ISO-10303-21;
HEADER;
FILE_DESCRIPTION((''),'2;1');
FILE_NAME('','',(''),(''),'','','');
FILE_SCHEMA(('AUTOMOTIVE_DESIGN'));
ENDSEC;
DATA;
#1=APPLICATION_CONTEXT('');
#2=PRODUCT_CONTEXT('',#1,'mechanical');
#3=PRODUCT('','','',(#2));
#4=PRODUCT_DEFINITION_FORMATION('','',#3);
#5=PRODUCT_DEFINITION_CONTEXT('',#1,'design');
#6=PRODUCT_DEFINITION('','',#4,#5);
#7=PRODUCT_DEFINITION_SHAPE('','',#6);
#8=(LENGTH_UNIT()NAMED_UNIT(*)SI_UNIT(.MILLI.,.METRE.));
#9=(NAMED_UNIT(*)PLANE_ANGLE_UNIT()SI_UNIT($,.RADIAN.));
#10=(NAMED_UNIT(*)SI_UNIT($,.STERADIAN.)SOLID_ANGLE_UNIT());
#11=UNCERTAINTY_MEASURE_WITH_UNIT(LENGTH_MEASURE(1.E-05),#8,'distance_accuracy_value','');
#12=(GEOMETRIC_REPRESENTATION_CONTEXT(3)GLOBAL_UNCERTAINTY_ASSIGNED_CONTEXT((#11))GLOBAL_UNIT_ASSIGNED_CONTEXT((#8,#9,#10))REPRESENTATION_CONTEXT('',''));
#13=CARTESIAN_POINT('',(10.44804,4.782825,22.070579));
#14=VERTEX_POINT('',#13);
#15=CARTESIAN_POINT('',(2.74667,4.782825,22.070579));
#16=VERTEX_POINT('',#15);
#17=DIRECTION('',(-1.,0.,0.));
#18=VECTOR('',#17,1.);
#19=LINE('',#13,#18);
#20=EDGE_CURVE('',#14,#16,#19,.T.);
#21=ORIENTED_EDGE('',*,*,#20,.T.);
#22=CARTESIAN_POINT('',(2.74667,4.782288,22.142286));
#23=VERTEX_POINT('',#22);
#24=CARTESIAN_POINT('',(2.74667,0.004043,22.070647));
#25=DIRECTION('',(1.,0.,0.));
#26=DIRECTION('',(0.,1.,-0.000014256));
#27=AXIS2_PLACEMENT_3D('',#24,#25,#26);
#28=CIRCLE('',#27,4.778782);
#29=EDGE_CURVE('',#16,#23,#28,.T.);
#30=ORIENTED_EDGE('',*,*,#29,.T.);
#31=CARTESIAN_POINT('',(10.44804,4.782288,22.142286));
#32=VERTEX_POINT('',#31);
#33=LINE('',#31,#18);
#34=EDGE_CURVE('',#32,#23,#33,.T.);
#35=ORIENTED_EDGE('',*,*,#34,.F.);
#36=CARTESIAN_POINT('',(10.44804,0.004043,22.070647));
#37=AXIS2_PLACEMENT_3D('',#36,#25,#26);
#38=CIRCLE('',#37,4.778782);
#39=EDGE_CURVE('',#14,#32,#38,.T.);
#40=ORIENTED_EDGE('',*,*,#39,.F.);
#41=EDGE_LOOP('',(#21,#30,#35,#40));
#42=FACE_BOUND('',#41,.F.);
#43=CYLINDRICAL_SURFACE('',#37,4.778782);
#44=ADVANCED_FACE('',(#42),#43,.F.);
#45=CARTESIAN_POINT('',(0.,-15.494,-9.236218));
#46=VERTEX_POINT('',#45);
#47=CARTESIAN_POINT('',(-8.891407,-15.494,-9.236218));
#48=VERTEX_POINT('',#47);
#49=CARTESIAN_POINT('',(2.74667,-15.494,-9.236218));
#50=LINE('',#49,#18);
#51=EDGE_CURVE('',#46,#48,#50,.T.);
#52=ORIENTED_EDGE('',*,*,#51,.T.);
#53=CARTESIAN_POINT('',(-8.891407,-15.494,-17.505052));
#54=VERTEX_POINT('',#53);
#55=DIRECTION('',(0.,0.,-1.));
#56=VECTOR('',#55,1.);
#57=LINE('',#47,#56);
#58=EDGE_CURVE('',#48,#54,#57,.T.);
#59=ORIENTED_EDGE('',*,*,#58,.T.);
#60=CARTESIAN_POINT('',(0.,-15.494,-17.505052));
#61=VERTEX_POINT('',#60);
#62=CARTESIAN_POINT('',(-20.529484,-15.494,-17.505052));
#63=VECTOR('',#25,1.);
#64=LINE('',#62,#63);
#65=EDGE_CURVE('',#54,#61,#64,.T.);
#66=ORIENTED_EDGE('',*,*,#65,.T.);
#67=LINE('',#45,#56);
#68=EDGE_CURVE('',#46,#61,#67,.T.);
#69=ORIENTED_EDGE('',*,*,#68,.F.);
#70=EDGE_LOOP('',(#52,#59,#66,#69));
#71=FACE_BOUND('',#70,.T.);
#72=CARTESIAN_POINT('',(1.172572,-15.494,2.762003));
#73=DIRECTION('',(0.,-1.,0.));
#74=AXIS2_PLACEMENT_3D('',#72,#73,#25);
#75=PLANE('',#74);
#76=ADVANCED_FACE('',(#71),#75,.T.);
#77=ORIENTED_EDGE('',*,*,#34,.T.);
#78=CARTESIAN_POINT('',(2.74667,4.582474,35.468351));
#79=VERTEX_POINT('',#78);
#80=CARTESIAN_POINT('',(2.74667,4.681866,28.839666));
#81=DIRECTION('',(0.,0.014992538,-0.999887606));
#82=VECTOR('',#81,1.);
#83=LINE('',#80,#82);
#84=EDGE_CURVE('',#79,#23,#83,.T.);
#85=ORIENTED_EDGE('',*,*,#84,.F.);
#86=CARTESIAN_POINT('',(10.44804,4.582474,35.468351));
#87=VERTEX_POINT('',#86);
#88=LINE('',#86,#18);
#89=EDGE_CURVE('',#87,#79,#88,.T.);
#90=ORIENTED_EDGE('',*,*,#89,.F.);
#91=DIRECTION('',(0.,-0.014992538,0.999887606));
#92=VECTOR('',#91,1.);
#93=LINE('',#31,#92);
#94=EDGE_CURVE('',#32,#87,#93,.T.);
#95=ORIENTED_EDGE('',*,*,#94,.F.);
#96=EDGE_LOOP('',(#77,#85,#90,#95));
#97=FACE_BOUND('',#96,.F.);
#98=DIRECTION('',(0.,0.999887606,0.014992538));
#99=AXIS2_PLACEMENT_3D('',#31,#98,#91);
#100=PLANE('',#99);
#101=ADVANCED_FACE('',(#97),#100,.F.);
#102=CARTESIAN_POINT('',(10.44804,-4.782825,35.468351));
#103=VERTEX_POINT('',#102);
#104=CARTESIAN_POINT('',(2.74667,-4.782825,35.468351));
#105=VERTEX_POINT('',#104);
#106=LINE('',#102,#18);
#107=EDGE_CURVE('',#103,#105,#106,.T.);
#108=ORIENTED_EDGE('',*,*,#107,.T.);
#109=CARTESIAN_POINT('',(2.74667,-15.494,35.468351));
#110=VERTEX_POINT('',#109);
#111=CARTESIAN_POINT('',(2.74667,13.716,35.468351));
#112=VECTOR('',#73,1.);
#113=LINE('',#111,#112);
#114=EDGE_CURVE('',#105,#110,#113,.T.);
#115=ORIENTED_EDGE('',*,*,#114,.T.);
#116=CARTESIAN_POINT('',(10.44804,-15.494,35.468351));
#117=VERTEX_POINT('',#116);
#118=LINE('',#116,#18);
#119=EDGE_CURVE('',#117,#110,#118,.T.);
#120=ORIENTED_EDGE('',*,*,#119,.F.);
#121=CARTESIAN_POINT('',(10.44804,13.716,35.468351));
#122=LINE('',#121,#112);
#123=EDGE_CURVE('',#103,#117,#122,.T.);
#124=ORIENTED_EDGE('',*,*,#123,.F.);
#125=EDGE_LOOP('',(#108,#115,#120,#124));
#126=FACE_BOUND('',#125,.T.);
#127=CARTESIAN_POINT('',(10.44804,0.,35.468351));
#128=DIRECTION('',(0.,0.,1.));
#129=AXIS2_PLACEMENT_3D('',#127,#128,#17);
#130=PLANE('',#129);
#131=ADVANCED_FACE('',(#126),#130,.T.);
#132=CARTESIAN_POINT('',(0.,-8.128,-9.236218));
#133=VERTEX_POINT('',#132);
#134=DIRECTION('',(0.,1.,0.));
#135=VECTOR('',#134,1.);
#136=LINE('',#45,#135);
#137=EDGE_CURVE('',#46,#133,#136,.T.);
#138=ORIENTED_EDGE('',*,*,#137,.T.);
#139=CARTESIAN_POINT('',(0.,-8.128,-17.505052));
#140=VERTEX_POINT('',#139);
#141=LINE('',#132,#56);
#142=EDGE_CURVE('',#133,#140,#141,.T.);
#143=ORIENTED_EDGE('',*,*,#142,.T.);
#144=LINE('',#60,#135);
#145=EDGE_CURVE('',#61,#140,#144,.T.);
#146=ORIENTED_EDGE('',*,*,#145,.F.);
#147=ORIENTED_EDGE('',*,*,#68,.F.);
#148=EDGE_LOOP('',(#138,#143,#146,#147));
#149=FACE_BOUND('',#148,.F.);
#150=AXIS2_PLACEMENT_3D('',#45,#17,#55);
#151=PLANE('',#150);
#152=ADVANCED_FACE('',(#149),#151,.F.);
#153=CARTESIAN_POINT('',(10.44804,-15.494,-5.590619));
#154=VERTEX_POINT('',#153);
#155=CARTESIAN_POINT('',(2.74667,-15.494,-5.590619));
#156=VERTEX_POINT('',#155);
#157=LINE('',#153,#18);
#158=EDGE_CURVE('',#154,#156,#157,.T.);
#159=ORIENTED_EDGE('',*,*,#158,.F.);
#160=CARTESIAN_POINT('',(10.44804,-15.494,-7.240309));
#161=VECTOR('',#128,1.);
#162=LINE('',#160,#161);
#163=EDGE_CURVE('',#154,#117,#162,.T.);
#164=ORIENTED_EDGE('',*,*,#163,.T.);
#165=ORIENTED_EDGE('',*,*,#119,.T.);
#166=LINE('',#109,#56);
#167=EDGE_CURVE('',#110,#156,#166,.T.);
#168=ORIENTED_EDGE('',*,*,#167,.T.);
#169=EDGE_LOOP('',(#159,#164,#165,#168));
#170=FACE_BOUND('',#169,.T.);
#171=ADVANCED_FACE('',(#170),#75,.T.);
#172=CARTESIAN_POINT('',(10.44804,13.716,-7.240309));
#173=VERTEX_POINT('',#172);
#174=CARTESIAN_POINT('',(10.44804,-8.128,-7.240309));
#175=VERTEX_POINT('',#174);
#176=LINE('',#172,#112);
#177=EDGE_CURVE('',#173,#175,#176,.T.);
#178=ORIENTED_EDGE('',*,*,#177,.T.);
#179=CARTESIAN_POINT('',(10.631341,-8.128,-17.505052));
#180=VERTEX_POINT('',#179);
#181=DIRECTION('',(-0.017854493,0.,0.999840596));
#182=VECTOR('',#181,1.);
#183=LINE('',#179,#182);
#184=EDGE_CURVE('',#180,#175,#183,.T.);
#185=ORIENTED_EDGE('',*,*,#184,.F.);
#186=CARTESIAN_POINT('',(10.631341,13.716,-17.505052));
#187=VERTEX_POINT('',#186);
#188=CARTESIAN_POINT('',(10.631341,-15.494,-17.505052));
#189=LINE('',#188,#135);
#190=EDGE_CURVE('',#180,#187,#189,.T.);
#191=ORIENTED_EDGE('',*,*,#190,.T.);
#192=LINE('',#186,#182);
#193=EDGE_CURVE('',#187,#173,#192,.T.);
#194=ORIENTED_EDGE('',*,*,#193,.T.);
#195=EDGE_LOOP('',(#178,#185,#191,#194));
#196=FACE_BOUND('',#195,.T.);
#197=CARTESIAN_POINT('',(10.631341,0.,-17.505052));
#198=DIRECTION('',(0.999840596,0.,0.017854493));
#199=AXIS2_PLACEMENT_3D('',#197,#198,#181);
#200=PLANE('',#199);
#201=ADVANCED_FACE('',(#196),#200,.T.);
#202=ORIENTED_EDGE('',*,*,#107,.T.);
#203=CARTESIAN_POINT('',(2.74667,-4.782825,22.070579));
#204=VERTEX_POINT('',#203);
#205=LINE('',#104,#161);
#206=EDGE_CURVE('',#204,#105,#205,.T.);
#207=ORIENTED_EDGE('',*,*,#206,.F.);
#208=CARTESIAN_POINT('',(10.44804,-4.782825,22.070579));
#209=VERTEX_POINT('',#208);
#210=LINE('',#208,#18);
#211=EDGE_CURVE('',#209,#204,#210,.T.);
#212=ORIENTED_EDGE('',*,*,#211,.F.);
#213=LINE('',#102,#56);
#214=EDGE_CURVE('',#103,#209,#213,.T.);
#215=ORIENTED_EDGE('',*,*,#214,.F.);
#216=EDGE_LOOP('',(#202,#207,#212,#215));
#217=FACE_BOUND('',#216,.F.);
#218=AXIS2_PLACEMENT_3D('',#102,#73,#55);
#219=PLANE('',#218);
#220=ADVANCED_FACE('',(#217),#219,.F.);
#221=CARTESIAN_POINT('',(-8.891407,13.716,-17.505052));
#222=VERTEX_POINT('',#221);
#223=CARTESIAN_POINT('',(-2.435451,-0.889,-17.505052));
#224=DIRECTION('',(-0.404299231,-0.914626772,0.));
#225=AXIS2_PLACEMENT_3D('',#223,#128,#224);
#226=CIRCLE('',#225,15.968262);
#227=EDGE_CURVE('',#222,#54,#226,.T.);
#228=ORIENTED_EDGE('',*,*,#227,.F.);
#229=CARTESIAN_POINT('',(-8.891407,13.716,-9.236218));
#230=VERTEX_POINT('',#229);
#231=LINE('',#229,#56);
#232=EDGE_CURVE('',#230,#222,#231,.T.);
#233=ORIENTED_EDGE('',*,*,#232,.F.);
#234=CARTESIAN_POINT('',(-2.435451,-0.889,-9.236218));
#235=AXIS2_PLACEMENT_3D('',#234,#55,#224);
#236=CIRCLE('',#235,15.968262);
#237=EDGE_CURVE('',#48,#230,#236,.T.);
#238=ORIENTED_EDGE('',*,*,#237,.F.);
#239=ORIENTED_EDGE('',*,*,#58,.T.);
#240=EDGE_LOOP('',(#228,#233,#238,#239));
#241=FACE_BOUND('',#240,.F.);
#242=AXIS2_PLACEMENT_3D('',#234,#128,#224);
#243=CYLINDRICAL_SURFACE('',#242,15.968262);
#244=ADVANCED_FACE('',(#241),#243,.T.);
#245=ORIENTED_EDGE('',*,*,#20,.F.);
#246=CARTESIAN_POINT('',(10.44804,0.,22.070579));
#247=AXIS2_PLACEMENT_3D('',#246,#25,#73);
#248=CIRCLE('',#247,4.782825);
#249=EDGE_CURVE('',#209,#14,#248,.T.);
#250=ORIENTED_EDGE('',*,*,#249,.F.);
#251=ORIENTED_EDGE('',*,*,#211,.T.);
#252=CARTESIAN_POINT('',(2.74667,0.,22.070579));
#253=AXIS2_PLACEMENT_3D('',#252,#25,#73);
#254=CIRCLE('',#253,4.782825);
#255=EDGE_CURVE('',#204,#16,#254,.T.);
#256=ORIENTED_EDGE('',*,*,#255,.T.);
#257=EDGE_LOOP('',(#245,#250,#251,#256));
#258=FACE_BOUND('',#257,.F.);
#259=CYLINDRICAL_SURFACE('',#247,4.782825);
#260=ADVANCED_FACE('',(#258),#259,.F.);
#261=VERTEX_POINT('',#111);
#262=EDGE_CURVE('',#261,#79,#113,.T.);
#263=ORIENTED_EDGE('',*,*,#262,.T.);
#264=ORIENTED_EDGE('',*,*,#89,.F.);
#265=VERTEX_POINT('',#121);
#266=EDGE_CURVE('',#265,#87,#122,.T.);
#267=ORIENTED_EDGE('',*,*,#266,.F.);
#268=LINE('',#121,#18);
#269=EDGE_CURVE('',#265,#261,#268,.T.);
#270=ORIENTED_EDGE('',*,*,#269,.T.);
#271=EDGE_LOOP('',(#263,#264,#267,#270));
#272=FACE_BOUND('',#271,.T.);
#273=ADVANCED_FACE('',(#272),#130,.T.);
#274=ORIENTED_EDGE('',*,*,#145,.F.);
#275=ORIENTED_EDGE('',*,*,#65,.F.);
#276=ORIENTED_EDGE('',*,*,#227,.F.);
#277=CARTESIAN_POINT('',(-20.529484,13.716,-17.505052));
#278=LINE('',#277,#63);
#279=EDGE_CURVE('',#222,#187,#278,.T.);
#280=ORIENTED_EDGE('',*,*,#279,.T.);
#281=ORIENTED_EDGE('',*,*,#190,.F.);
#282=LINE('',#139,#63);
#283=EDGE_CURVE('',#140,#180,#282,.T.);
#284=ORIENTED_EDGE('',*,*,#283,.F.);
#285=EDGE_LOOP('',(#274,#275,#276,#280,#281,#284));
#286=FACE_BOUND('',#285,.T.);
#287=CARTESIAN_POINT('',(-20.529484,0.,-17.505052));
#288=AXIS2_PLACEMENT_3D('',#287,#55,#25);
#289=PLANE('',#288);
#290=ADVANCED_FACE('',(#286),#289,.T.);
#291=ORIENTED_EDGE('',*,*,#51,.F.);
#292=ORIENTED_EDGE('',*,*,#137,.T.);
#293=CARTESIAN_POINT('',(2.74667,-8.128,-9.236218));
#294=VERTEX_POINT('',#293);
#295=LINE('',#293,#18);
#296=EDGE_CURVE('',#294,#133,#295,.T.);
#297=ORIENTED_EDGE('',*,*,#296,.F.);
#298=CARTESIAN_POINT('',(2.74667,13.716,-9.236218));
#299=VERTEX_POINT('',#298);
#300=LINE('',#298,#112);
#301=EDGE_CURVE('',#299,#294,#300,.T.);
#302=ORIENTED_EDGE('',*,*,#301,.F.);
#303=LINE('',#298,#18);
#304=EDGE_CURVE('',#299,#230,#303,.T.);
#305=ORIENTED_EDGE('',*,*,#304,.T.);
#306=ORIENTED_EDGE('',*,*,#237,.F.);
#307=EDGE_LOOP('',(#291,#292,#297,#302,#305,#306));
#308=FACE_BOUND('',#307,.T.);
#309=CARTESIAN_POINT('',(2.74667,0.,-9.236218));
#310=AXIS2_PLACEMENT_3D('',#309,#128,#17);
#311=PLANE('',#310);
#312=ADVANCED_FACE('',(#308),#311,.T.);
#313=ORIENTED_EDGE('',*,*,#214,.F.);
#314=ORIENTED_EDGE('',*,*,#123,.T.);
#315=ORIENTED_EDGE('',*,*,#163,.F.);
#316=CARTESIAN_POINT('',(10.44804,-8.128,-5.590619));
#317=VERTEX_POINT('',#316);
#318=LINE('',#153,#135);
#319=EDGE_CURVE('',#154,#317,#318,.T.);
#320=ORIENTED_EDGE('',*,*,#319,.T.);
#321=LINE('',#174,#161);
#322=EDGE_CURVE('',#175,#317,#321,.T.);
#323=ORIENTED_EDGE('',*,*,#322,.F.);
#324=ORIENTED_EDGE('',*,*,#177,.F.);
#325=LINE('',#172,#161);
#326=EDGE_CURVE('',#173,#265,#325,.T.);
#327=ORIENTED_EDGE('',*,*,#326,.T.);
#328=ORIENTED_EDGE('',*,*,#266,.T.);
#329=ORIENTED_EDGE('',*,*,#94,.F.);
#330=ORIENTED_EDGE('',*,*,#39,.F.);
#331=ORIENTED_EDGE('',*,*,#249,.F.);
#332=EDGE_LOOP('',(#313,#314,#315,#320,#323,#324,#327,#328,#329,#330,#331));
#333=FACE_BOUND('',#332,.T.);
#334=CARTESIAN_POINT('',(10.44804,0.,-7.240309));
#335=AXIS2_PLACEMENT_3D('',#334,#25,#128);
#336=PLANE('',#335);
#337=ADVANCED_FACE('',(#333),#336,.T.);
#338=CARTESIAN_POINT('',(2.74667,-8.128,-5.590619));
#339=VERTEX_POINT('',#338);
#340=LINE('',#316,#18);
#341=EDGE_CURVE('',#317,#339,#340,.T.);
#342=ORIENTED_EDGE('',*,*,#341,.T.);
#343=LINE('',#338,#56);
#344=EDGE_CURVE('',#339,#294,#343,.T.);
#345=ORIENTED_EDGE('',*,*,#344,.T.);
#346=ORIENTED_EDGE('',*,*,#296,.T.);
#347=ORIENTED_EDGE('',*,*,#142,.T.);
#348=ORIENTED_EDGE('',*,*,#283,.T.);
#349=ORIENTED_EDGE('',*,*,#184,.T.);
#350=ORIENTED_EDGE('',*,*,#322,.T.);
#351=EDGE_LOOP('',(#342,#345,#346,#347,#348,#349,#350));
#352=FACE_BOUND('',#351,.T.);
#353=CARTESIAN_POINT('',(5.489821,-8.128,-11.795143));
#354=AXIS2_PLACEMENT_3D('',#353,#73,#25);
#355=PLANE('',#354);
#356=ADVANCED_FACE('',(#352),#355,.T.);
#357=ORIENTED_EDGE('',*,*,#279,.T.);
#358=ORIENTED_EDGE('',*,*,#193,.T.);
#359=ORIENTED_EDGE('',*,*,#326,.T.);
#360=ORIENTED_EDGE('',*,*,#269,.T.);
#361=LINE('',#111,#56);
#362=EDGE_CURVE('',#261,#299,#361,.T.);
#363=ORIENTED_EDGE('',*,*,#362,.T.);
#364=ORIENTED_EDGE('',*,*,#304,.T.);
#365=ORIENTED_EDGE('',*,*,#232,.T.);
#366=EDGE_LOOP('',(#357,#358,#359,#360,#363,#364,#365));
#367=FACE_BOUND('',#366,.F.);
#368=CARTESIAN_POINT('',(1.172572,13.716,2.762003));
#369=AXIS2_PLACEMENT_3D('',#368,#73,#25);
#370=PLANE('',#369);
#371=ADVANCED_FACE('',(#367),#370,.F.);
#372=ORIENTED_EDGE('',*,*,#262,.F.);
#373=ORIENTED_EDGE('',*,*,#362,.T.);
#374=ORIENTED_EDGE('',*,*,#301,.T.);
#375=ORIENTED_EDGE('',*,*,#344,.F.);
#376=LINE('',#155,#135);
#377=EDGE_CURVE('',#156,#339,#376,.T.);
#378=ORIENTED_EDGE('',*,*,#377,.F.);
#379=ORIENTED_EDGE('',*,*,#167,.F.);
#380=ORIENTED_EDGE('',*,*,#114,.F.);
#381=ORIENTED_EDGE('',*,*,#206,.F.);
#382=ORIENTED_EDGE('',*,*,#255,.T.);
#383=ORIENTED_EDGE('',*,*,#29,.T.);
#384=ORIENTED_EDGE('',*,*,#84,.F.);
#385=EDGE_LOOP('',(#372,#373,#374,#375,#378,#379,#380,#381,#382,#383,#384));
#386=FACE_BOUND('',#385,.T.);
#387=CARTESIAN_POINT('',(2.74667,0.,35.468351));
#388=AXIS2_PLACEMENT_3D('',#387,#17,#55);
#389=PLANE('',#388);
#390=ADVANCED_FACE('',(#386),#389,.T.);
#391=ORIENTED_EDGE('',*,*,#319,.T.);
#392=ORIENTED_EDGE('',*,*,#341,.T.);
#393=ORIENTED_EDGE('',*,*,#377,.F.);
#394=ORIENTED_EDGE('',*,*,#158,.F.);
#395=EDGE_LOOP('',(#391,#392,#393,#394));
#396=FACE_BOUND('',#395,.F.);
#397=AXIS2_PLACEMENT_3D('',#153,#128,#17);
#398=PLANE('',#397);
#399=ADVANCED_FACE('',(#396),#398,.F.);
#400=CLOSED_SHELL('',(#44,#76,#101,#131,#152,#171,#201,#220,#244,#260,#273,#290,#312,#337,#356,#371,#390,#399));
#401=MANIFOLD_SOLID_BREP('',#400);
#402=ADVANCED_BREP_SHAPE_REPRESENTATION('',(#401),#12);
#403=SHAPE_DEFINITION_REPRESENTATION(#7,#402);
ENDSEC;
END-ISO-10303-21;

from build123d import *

# Parameters (mm, degrees)
F1_DEPTH      = 15.494
F1_DEPTH_BACK = 13.716
F3_DEPTH      = 25.4
F5_DEPTH      = 25.4
F7_DEPTH      = 7.366


with BuildPart() as f1:
    # F0 (on Front) → F1 (new body, two sides)
    with BuildSketch(Plane.XZ) as f1_sk:
        Polygon((10.631341, -17.505052), (10.44804, -7.240309), (10.44804, 35.468351), (2.74667, 35.468351), (2.74667, -9.236218), (-20.529484, -9.236218), (-20.529484, -17.505052), align=None)
    extrude(amount=F1_DEPTH)
    extrude(f1_sk.sketch, amount=-F1_DEPTH_BACK)

    # F2 (on face) → F3 (cut)
    with BuildSketch(Plane.YZ.offset(10.44804)):
        with BuildLine():
            ThreePointArc((4.782288, 22.142286), (-0.035854, 26.85327), (-4.782825, 22.070579))
            ThreePointArc((-4.782825, 22.070579), (0, 17.287754), (4.782825, 22.070579))
            ThreePointArc((4.782825, 22.070579), (4.782691, 22.106434), (4.782288, 22.142286))
        make_face()
        with BuildLine():
            Line((-4.782825, 35.468351), (-4.782825, 22.070579))
            ThreePointArc((-4.782825, 22.070579), (-0.035854, 26.85327), (4.782288, 22.142286))
            Line((4.782288, 22.142286), (4.582474, 35.468351))
            Line((4.582474, 35.468351), (-4.782825, 35.468351))
        make_face()
    extrude(amount=-F3_DEPTH, mode=Mode.SUBTRACT)

    # F4 (on face) → F5 (cut)
    with BuildSketch(Plane.XY.offset(-9.236218)):
        with BuildLine():
            ThreePointArc((-8.891407, -15.494), (-18.403713, -0.889), (-8.891407, 13.716))
            Line((-8.891407, 13.716), (-20.529484, 13.716))
            Line((-20.529484, 13.716), (-20.529484, -15.494))
            Line((-20.529484, -15.494), (-8.891407, -15.494))
        make_face()
    extrude(amount=-F5_DEPTH, mode=Mode.SUBTRACT)

    # F6 (on face) → F7 (cut)
    with BuildSketch(Plane.XZ.offset(15.494)):
        Polygon((10.44804, -5.590619), (2.74667, -5.590619), (2.74667, -9.236218), (0, -9.236218), (0, -17.505052), (10.631341, -17.505052), (10.44804, -7.240309), align=None)
    extrude(amount=-F7_DEPTH, mode=Mode.SUBTRACT)


solid = f1.part
